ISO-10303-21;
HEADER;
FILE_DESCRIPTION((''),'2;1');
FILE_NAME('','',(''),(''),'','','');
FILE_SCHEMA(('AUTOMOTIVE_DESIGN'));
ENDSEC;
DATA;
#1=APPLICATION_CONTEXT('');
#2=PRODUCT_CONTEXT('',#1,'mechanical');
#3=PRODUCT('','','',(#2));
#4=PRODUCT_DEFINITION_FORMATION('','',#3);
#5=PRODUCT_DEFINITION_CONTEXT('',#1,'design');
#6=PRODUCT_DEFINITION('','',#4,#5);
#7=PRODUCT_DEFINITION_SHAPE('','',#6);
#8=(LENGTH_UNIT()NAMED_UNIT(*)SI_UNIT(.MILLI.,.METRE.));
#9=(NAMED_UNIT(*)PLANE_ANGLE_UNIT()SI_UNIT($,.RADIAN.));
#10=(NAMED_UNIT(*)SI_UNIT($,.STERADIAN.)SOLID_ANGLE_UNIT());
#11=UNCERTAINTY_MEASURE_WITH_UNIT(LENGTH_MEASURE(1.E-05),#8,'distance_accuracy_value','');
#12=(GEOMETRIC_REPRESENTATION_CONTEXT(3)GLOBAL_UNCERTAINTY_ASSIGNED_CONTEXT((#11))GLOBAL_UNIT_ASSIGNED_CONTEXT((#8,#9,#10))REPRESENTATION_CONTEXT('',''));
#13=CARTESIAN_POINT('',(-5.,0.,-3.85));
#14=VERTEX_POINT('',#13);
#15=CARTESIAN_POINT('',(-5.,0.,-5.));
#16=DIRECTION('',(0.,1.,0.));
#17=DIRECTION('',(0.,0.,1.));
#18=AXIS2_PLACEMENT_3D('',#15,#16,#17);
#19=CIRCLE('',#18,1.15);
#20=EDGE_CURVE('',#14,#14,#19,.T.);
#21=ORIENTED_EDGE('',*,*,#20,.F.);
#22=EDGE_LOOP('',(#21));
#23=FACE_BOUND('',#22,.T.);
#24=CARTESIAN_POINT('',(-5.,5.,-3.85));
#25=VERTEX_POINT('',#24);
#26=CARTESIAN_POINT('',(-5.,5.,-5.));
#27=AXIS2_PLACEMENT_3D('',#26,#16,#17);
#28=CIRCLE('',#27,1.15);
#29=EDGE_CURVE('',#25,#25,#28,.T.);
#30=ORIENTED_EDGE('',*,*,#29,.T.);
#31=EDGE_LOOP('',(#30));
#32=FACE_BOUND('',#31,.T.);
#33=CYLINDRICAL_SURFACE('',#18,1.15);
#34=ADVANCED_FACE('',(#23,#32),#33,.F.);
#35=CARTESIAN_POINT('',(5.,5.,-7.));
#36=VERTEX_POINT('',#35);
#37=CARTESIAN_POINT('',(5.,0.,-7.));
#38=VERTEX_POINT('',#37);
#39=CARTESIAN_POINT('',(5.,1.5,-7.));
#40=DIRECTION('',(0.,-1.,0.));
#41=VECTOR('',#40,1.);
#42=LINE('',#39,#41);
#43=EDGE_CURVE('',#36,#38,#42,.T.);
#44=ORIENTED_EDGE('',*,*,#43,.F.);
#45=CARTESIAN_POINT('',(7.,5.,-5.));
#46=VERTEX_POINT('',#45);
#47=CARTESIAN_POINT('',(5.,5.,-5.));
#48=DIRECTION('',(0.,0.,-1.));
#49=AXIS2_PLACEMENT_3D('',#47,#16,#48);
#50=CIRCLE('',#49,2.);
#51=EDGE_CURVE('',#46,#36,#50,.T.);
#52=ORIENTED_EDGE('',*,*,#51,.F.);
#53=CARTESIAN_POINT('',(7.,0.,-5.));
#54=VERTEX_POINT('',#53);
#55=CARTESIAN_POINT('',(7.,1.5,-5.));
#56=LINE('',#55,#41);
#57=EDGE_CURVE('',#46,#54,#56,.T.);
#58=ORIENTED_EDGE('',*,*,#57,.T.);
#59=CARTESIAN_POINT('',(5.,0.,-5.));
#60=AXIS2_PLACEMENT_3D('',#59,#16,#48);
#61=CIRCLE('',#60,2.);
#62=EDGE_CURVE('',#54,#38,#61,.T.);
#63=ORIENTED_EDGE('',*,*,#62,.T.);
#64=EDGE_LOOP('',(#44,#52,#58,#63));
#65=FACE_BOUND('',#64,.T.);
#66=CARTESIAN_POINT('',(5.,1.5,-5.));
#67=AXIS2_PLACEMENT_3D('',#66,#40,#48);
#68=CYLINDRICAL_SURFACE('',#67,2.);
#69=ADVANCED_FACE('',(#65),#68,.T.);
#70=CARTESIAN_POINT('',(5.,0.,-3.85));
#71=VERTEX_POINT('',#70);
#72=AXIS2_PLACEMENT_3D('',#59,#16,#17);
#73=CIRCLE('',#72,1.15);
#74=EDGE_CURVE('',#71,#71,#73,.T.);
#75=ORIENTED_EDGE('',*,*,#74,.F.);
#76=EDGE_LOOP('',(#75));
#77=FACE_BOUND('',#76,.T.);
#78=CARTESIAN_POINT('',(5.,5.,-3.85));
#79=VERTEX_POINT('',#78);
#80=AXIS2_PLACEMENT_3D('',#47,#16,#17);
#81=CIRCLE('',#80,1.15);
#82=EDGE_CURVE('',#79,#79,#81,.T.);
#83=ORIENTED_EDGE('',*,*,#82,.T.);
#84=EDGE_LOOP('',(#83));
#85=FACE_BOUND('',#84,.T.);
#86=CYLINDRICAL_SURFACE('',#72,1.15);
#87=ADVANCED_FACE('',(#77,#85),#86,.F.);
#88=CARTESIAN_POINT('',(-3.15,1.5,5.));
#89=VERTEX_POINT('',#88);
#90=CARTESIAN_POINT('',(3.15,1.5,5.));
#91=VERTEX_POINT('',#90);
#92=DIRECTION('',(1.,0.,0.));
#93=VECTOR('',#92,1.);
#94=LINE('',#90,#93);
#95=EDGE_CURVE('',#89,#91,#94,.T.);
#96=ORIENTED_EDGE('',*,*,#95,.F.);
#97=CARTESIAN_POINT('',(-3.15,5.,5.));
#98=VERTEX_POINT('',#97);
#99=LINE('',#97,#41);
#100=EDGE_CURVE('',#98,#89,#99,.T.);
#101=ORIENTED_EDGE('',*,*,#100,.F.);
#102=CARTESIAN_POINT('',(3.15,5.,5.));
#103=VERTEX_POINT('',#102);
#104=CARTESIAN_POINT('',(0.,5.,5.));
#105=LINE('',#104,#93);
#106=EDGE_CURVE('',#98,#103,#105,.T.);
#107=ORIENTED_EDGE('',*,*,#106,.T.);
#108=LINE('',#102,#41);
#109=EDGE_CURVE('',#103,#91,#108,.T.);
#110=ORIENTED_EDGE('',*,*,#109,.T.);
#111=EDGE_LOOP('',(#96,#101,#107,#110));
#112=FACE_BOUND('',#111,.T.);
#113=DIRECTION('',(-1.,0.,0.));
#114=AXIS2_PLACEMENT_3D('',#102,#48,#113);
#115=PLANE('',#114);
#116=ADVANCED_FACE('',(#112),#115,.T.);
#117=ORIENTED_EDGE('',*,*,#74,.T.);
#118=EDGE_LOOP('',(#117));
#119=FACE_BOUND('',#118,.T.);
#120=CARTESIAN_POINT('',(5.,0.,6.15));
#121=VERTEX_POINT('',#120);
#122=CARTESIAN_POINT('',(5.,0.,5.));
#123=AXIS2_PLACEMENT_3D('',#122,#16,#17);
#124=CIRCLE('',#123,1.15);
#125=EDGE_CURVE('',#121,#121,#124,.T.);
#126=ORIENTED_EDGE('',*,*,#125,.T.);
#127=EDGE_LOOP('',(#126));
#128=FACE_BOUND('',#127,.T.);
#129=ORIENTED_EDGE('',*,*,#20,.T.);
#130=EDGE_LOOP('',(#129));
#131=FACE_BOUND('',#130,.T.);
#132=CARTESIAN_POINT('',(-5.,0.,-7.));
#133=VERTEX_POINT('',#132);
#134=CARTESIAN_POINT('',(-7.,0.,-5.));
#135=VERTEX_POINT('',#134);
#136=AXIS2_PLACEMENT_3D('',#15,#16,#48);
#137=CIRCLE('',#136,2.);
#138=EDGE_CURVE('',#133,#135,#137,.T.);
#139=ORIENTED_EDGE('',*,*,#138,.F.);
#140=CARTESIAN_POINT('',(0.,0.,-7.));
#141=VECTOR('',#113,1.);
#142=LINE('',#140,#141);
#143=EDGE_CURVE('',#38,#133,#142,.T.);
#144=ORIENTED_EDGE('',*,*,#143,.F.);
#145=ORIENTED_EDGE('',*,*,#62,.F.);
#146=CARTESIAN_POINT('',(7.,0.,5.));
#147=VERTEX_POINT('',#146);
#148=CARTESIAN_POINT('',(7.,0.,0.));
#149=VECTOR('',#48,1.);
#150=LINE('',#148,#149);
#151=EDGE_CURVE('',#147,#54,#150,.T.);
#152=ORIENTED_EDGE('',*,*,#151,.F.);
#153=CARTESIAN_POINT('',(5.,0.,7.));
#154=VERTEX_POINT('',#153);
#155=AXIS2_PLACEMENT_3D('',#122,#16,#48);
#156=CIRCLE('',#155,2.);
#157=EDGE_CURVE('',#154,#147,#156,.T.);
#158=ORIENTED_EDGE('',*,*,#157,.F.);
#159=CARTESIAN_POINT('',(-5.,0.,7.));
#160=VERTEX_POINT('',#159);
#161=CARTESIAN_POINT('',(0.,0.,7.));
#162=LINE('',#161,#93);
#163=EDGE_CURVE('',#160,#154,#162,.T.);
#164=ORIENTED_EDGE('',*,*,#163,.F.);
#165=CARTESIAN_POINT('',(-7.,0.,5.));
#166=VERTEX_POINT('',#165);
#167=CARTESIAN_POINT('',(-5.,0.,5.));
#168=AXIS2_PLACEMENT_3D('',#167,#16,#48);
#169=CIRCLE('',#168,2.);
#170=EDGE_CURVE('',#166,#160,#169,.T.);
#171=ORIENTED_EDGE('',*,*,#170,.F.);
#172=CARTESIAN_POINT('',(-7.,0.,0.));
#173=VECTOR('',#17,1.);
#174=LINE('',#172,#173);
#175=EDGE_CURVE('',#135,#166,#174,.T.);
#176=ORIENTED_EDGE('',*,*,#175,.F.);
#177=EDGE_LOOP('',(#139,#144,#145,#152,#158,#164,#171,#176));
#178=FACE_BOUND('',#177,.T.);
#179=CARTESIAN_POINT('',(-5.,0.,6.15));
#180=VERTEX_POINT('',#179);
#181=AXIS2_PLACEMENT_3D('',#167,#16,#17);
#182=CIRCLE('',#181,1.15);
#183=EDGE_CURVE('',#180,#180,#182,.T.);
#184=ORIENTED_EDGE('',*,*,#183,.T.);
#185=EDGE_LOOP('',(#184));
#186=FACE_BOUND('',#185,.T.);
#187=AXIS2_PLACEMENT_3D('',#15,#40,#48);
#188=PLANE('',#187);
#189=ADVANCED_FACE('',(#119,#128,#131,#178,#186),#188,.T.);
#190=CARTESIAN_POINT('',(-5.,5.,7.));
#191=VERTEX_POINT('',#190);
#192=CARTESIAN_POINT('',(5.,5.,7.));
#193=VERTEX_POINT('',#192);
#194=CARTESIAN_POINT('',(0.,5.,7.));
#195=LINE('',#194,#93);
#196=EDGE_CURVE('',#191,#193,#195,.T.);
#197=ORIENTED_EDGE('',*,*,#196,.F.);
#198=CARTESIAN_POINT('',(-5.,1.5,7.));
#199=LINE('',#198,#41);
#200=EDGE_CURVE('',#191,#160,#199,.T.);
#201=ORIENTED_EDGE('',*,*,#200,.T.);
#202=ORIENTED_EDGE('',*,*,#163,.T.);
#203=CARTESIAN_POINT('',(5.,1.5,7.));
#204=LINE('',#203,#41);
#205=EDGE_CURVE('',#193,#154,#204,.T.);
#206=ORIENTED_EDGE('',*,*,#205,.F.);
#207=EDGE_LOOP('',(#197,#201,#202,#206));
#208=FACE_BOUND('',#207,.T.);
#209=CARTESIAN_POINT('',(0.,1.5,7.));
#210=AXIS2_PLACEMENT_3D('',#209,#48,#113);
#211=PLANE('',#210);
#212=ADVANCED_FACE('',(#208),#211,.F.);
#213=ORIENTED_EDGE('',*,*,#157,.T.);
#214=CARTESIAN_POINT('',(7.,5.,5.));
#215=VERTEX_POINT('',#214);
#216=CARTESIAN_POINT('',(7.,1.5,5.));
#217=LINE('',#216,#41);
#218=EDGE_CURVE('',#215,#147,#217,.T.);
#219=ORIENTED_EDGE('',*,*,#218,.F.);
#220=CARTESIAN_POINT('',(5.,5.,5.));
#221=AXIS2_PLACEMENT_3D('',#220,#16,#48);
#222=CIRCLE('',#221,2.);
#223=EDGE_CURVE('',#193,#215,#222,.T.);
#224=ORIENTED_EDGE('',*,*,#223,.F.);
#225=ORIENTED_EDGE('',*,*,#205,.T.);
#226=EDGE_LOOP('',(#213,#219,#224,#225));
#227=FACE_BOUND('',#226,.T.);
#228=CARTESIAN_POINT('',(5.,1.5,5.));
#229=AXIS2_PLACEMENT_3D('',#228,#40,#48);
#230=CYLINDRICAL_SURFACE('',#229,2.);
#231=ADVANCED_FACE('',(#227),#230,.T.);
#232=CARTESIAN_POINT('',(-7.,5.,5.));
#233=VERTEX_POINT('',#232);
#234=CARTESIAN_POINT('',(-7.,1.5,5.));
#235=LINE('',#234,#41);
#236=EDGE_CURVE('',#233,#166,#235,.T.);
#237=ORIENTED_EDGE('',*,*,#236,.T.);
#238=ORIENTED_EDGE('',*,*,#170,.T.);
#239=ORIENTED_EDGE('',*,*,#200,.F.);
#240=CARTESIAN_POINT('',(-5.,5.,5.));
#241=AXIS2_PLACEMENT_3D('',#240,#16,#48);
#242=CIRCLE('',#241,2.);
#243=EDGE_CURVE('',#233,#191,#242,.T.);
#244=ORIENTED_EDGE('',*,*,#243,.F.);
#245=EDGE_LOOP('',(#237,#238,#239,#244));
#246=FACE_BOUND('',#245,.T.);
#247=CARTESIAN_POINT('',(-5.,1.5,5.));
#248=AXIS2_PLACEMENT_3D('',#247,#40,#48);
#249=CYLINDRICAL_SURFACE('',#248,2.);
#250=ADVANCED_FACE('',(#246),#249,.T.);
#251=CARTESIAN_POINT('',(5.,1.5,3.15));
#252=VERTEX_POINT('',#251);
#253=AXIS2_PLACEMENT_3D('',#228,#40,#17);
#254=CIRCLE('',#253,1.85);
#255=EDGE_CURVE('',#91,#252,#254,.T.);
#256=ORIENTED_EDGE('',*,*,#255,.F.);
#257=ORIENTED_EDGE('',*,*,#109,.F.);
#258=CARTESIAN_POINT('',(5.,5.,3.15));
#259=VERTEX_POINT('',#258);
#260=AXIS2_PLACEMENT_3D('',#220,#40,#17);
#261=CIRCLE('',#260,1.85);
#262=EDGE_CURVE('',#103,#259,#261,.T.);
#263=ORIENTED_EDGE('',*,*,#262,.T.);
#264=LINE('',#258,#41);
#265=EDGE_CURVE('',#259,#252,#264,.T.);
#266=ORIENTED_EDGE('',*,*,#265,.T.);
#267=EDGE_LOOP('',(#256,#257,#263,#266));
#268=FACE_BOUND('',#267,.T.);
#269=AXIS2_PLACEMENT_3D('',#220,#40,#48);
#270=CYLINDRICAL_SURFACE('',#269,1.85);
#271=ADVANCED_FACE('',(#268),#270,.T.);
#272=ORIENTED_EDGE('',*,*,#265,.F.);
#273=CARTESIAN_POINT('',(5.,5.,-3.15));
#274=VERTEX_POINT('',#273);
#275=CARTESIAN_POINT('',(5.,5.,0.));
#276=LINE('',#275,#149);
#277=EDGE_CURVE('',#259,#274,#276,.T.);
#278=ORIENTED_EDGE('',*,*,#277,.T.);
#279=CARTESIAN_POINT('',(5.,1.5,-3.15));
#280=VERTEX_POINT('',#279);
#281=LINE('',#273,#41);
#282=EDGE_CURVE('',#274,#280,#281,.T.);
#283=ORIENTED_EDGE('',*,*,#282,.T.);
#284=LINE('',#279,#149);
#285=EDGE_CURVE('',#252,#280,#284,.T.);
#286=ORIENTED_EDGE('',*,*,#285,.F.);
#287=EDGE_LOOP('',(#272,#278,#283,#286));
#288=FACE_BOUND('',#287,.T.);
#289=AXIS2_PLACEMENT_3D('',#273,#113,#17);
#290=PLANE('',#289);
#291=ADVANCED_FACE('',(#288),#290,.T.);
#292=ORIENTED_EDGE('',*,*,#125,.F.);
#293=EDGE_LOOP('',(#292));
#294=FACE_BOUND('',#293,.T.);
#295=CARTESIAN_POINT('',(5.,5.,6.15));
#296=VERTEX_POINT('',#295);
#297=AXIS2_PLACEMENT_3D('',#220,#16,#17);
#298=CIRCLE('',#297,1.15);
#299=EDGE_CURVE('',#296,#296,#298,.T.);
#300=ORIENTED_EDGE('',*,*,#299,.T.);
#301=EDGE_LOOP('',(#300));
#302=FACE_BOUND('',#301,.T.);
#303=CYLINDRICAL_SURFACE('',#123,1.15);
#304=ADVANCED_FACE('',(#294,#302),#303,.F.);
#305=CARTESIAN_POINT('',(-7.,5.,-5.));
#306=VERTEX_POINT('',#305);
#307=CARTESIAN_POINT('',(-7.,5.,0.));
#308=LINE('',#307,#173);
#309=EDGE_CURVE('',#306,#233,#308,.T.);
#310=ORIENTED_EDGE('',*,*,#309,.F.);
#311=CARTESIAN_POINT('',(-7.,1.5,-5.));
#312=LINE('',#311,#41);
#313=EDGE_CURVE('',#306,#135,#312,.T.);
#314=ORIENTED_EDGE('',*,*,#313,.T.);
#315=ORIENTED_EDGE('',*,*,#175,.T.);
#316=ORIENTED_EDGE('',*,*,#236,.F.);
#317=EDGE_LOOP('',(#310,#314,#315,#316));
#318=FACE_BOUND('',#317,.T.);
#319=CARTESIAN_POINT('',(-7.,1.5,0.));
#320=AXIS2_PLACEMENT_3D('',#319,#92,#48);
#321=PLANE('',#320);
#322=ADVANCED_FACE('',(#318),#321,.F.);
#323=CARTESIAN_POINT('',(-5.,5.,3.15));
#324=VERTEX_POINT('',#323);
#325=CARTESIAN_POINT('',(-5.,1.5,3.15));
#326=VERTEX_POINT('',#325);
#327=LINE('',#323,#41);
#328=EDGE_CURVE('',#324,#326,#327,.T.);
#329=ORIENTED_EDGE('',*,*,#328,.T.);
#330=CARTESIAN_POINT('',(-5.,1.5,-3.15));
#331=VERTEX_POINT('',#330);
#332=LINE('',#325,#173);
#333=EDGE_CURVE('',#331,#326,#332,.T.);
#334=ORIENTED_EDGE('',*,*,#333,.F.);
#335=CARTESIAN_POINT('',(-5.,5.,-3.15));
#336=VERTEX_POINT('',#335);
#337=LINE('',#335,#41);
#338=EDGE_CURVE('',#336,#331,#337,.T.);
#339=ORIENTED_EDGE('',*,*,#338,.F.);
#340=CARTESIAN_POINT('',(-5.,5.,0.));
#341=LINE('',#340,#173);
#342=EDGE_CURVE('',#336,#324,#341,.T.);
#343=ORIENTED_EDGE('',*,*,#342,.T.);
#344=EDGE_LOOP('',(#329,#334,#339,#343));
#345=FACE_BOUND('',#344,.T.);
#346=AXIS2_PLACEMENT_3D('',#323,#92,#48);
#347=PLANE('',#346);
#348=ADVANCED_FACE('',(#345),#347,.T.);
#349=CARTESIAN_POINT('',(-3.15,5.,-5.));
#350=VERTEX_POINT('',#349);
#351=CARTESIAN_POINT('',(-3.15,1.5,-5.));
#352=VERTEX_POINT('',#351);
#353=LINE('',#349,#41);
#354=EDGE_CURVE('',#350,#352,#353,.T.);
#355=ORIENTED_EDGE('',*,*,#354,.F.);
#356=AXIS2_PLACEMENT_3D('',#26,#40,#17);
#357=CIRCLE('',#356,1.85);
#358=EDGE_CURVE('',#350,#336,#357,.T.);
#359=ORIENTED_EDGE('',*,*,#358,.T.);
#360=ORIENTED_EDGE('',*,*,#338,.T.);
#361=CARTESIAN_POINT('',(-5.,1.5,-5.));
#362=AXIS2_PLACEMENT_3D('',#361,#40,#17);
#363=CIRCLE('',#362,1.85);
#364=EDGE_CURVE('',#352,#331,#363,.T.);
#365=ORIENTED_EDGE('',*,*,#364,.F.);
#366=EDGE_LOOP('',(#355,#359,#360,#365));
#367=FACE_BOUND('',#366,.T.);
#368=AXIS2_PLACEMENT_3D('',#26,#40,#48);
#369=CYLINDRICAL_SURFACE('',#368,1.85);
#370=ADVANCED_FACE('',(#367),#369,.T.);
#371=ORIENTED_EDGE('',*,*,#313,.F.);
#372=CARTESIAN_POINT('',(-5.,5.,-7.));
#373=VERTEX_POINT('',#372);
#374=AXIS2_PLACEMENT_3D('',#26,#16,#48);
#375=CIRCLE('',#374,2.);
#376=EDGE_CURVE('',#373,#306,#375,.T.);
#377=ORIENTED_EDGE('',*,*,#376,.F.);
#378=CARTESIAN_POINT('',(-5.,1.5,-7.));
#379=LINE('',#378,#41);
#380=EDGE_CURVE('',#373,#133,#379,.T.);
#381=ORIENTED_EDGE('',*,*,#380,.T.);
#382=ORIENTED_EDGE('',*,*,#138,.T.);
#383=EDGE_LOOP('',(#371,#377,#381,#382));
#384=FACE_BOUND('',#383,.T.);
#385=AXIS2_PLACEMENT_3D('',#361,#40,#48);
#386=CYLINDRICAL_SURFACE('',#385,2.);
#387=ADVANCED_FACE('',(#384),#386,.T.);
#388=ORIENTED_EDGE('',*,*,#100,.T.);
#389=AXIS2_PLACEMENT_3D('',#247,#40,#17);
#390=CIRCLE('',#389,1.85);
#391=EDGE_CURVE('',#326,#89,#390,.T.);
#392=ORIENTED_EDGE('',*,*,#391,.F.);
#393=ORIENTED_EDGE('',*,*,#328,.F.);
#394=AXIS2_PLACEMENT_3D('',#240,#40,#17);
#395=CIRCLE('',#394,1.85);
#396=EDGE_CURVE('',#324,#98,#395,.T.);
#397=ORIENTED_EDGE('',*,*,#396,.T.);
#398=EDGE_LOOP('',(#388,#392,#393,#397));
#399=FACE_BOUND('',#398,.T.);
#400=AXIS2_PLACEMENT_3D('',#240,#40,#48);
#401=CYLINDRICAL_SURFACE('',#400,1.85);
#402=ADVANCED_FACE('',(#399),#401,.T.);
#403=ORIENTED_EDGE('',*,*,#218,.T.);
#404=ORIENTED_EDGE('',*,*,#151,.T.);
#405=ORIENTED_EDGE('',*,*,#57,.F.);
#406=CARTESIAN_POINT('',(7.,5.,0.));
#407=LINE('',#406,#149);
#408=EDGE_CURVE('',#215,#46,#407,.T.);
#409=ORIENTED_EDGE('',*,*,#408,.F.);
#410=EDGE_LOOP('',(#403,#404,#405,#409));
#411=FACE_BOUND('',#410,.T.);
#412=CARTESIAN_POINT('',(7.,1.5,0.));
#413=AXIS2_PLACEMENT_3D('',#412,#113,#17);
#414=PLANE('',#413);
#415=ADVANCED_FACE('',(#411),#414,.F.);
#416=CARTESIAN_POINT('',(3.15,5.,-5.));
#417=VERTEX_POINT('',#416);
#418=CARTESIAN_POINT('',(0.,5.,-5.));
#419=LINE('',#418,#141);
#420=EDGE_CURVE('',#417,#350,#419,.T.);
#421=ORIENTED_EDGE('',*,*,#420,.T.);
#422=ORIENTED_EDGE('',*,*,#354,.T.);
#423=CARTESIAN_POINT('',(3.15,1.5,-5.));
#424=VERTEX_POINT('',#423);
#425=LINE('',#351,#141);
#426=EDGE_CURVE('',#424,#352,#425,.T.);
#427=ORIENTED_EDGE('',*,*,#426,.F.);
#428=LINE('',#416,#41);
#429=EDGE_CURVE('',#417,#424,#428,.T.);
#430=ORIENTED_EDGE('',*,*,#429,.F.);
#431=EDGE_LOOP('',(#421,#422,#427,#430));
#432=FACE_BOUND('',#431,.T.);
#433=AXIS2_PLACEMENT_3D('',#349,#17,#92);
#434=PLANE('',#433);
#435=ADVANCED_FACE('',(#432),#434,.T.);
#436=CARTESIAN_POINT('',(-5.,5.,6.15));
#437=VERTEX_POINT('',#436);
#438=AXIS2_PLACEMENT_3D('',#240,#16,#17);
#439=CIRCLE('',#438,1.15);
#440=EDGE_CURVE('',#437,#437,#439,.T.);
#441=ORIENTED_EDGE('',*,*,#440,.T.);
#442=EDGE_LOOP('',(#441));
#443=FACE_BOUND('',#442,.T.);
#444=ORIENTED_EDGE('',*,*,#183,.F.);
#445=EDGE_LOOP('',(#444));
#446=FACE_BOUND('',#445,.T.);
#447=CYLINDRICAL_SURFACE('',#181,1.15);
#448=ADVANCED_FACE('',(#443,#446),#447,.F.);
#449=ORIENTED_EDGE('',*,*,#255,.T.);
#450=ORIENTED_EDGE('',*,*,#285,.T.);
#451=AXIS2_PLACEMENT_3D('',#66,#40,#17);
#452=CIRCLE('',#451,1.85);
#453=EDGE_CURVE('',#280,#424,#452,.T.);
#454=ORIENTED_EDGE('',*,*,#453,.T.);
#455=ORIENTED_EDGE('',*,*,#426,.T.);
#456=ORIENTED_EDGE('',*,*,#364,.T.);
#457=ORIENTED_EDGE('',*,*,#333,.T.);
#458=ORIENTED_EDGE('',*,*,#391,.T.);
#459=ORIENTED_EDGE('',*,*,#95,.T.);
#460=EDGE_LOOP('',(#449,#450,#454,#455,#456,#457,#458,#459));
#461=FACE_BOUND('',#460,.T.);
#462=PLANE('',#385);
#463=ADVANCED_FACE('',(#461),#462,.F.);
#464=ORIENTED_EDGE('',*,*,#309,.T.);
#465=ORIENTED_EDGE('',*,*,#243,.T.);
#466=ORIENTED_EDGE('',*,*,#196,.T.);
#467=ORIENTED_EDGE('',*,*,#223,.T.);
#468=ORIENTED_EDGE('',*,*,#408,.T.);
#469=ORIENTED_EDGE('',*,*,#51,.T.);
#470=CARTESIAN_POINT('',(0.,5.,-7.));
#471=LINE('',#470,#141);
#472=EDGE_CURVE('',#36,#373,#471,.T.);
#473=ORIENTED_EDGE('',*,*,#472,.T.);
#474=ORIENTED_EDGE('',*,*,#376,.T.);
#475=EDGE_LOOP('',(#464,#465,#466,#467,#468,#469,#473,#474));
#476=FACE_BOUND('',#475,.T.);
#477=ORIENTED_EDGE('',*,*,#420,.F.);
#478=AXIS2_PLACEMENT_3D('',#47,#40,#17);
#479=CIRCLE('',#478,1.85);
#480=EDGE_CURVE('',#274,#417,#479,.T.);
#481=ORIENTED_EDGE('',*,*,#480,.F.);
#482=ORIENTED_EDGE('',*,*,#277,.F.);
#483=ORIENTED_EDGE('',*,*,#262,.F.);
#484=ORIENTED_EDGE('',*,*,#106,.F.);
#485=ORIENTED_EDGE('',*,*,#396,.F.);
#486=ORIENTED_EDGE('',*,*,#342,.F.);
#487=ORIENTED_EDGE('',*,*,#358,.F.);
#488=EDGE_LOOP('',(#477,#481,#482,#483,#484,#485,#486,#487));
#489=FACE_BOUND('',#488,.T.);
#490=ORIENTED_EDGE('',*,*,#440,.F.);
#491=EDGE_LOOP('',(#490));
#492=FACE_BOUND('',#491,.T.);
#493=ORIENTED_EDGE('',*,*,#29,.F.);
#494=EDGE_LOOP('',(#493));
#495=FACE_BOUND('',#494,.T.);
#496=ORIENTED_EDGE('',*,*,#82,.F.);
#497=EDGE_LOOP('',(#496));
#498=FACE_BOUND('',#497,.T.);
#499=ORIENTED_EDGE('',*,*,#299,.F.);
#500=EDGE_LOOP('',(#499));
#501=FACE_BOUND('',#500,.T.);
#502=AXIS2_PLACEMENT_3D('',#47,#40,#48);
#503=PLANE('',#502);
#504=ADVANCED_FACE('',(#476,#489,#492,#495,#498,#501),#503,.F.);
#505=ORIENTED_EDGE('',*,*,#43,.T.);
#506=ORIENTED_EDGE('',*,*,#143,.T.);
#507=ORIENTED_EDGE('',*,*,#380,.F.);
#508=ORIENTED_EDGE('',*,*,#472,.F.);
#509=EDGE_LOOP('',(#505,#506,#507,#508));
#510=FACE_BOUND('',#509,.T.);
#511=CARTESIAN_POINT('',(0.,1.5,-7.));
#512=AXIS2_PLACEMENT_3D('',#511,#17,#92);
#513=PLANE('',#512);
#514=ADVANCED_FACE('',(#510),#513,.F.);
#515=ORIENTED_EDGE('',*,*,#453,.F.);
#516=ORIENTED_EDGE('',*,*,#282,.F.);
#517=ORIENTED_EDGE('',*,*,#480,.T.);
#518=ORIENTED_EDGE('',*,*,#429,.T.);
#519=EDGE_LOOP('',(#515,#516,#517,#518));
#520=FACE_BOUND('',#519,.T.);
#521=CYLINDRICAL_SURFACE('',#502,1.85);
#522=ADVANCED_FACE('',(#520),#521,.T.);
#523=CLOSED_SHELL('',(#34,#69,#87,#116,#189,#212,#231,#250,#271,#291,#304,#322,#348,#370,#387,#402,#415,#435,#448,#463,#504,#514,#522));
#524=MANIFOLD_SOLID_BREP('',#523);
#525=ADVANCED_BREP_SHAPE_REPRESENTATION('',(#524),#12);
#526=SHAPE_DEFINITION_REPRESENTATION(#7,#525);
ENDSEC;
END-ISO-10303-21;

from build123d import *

# Parameters (mm, degrees)
BOSS_EXTRUDE1_DEPTH = 1.5
BOSS_EXTRUDE2_DEPTH = 3.5
SKETCH3_R           = 1.15
CUT_EXTRUDE1_DEPTH  = 12.090536506


with BuildPart() as part:
    # Sketch1 → Boss-Extrude1 (new body)
    with BuildSketch(Plane(origin=(0, 0, 0), x_dir=(1, 0, 0), z_dir=(0, 1, 0))):
        with BuildLine():
            Line((0, 7), (5, 7))
            ThreePointArc((5, 7), (6.414213562, 6.414213562), (7, 5))
            Line((7, 5), (7, 0))
            Line((7, 0), (7, -5))
            ThreePointArc((7, -5), (6.414213562, -6.414213562), (5, -7))
            Line((5, -7), (0, -7))
            Line((0, -7), (-5, -7))
            ThreePointArc((-5, -7), (-6.414213562, -6.414213562), (-7, -5))
            Line((-7, -5), (-7, 0))
            Line((-7, 0), (-7, 5))
            ThreePointArc((-7, 5), (-6.414213562, 6.414213562), (-5, 7))
            Line((-5, 7), (0, 7))
        make_face()
    extrude(amount=BOSS_EXTRUDE1_DEPTH)

    # Sketch2 → Boss-Extrude2 (add)
    with BuildSketch(Plane(origin=(0, 1.5, 0), x_dir=(1, 0, 0), z_dir=(0, 1, 0))):
        with BuildLine():
            Line((0, 7), (5, 7))
            ThreePointArc((5, 7), (6.414213562, 6.414213562), (7, 5))
            Line((7, 5), (7, 0))
            Line((7, 0), (7, -5))
            ThreePointArc((7, -5), (6.414213562, -6.414213562), (5, -7))
            Line((5, -7), (0, -7))
            Line((0, -7), (-5, -7))
            ThreePointArc((-5, -7), (-6.414213562, -6.414213562), (-7, -5))
            Line((-7, -5), (-7, 0))
            Line((-7, 0), (-7, 5))
            ThreePointArc((-7, 5), (-6.414213562, 6.414213562), (-5, 7))
            Line((-5, 7), (0, 7))
        make_face()
        with BuildLine():
            Line((0, 5), (3.15, 5))
            ThreePointArc((3.15, 5), (3.691852455, 3.691852455), (5, 3.15))
            Line((5, 3.15), (5, 0))
            Line((5, 0), (5, -3.15))
            ThreePointArc((5, -3.15), (3.691852455, -3.691852455), (3.15, -5))
            Line((3.15, -5), (0, -5))
            Line((0, -5), (-3.15, -5))
            ThreePointArc((-3.15, -5), (-3.691852455, -3.691852455), (-5, -3.15))
            Line((-5, -3.15), (-5, 0))
            Line((-5, 0), (-5, 3.15))
            ThreePointArc((-5, 3.15), (-3.691852455, 3.691852455), (-3.15, 5))
            Line((-3.15, 5), (0, 5))
        make_face(mode=Mode.SUBTRACT)
    extrude(amount=BOSS_EXTRUDE2_DEPTH)

    # Sketch3 → Cut-Extrude1 (cut, through all)
    with BuildSketch(Plane(origin=(0, 5, 0), x_dir=(1, 0, 0), z_dir=(0, 1, 0))):
        with Locations(Location((5, 5, 0), (0, 0, 270))):
            Circle(SKETCH3_R)
        with Locations(Location((5, -5, 0), (0, 0, 270))):
            Circle(SKETCH3_R)
        with Locations(Location((-5, -5, 0), (0, 0, 270))):
            Circle(SKETCH3_R)
        with Locations(Location((-5, 5, 0), (0, 0, 270))):
            Circle(SKETCH3_R)
    extrude(amount=-CUT_EXTRUDE1_DEPTH, mode=Mode.SUBTRACT)


solid = part.part
